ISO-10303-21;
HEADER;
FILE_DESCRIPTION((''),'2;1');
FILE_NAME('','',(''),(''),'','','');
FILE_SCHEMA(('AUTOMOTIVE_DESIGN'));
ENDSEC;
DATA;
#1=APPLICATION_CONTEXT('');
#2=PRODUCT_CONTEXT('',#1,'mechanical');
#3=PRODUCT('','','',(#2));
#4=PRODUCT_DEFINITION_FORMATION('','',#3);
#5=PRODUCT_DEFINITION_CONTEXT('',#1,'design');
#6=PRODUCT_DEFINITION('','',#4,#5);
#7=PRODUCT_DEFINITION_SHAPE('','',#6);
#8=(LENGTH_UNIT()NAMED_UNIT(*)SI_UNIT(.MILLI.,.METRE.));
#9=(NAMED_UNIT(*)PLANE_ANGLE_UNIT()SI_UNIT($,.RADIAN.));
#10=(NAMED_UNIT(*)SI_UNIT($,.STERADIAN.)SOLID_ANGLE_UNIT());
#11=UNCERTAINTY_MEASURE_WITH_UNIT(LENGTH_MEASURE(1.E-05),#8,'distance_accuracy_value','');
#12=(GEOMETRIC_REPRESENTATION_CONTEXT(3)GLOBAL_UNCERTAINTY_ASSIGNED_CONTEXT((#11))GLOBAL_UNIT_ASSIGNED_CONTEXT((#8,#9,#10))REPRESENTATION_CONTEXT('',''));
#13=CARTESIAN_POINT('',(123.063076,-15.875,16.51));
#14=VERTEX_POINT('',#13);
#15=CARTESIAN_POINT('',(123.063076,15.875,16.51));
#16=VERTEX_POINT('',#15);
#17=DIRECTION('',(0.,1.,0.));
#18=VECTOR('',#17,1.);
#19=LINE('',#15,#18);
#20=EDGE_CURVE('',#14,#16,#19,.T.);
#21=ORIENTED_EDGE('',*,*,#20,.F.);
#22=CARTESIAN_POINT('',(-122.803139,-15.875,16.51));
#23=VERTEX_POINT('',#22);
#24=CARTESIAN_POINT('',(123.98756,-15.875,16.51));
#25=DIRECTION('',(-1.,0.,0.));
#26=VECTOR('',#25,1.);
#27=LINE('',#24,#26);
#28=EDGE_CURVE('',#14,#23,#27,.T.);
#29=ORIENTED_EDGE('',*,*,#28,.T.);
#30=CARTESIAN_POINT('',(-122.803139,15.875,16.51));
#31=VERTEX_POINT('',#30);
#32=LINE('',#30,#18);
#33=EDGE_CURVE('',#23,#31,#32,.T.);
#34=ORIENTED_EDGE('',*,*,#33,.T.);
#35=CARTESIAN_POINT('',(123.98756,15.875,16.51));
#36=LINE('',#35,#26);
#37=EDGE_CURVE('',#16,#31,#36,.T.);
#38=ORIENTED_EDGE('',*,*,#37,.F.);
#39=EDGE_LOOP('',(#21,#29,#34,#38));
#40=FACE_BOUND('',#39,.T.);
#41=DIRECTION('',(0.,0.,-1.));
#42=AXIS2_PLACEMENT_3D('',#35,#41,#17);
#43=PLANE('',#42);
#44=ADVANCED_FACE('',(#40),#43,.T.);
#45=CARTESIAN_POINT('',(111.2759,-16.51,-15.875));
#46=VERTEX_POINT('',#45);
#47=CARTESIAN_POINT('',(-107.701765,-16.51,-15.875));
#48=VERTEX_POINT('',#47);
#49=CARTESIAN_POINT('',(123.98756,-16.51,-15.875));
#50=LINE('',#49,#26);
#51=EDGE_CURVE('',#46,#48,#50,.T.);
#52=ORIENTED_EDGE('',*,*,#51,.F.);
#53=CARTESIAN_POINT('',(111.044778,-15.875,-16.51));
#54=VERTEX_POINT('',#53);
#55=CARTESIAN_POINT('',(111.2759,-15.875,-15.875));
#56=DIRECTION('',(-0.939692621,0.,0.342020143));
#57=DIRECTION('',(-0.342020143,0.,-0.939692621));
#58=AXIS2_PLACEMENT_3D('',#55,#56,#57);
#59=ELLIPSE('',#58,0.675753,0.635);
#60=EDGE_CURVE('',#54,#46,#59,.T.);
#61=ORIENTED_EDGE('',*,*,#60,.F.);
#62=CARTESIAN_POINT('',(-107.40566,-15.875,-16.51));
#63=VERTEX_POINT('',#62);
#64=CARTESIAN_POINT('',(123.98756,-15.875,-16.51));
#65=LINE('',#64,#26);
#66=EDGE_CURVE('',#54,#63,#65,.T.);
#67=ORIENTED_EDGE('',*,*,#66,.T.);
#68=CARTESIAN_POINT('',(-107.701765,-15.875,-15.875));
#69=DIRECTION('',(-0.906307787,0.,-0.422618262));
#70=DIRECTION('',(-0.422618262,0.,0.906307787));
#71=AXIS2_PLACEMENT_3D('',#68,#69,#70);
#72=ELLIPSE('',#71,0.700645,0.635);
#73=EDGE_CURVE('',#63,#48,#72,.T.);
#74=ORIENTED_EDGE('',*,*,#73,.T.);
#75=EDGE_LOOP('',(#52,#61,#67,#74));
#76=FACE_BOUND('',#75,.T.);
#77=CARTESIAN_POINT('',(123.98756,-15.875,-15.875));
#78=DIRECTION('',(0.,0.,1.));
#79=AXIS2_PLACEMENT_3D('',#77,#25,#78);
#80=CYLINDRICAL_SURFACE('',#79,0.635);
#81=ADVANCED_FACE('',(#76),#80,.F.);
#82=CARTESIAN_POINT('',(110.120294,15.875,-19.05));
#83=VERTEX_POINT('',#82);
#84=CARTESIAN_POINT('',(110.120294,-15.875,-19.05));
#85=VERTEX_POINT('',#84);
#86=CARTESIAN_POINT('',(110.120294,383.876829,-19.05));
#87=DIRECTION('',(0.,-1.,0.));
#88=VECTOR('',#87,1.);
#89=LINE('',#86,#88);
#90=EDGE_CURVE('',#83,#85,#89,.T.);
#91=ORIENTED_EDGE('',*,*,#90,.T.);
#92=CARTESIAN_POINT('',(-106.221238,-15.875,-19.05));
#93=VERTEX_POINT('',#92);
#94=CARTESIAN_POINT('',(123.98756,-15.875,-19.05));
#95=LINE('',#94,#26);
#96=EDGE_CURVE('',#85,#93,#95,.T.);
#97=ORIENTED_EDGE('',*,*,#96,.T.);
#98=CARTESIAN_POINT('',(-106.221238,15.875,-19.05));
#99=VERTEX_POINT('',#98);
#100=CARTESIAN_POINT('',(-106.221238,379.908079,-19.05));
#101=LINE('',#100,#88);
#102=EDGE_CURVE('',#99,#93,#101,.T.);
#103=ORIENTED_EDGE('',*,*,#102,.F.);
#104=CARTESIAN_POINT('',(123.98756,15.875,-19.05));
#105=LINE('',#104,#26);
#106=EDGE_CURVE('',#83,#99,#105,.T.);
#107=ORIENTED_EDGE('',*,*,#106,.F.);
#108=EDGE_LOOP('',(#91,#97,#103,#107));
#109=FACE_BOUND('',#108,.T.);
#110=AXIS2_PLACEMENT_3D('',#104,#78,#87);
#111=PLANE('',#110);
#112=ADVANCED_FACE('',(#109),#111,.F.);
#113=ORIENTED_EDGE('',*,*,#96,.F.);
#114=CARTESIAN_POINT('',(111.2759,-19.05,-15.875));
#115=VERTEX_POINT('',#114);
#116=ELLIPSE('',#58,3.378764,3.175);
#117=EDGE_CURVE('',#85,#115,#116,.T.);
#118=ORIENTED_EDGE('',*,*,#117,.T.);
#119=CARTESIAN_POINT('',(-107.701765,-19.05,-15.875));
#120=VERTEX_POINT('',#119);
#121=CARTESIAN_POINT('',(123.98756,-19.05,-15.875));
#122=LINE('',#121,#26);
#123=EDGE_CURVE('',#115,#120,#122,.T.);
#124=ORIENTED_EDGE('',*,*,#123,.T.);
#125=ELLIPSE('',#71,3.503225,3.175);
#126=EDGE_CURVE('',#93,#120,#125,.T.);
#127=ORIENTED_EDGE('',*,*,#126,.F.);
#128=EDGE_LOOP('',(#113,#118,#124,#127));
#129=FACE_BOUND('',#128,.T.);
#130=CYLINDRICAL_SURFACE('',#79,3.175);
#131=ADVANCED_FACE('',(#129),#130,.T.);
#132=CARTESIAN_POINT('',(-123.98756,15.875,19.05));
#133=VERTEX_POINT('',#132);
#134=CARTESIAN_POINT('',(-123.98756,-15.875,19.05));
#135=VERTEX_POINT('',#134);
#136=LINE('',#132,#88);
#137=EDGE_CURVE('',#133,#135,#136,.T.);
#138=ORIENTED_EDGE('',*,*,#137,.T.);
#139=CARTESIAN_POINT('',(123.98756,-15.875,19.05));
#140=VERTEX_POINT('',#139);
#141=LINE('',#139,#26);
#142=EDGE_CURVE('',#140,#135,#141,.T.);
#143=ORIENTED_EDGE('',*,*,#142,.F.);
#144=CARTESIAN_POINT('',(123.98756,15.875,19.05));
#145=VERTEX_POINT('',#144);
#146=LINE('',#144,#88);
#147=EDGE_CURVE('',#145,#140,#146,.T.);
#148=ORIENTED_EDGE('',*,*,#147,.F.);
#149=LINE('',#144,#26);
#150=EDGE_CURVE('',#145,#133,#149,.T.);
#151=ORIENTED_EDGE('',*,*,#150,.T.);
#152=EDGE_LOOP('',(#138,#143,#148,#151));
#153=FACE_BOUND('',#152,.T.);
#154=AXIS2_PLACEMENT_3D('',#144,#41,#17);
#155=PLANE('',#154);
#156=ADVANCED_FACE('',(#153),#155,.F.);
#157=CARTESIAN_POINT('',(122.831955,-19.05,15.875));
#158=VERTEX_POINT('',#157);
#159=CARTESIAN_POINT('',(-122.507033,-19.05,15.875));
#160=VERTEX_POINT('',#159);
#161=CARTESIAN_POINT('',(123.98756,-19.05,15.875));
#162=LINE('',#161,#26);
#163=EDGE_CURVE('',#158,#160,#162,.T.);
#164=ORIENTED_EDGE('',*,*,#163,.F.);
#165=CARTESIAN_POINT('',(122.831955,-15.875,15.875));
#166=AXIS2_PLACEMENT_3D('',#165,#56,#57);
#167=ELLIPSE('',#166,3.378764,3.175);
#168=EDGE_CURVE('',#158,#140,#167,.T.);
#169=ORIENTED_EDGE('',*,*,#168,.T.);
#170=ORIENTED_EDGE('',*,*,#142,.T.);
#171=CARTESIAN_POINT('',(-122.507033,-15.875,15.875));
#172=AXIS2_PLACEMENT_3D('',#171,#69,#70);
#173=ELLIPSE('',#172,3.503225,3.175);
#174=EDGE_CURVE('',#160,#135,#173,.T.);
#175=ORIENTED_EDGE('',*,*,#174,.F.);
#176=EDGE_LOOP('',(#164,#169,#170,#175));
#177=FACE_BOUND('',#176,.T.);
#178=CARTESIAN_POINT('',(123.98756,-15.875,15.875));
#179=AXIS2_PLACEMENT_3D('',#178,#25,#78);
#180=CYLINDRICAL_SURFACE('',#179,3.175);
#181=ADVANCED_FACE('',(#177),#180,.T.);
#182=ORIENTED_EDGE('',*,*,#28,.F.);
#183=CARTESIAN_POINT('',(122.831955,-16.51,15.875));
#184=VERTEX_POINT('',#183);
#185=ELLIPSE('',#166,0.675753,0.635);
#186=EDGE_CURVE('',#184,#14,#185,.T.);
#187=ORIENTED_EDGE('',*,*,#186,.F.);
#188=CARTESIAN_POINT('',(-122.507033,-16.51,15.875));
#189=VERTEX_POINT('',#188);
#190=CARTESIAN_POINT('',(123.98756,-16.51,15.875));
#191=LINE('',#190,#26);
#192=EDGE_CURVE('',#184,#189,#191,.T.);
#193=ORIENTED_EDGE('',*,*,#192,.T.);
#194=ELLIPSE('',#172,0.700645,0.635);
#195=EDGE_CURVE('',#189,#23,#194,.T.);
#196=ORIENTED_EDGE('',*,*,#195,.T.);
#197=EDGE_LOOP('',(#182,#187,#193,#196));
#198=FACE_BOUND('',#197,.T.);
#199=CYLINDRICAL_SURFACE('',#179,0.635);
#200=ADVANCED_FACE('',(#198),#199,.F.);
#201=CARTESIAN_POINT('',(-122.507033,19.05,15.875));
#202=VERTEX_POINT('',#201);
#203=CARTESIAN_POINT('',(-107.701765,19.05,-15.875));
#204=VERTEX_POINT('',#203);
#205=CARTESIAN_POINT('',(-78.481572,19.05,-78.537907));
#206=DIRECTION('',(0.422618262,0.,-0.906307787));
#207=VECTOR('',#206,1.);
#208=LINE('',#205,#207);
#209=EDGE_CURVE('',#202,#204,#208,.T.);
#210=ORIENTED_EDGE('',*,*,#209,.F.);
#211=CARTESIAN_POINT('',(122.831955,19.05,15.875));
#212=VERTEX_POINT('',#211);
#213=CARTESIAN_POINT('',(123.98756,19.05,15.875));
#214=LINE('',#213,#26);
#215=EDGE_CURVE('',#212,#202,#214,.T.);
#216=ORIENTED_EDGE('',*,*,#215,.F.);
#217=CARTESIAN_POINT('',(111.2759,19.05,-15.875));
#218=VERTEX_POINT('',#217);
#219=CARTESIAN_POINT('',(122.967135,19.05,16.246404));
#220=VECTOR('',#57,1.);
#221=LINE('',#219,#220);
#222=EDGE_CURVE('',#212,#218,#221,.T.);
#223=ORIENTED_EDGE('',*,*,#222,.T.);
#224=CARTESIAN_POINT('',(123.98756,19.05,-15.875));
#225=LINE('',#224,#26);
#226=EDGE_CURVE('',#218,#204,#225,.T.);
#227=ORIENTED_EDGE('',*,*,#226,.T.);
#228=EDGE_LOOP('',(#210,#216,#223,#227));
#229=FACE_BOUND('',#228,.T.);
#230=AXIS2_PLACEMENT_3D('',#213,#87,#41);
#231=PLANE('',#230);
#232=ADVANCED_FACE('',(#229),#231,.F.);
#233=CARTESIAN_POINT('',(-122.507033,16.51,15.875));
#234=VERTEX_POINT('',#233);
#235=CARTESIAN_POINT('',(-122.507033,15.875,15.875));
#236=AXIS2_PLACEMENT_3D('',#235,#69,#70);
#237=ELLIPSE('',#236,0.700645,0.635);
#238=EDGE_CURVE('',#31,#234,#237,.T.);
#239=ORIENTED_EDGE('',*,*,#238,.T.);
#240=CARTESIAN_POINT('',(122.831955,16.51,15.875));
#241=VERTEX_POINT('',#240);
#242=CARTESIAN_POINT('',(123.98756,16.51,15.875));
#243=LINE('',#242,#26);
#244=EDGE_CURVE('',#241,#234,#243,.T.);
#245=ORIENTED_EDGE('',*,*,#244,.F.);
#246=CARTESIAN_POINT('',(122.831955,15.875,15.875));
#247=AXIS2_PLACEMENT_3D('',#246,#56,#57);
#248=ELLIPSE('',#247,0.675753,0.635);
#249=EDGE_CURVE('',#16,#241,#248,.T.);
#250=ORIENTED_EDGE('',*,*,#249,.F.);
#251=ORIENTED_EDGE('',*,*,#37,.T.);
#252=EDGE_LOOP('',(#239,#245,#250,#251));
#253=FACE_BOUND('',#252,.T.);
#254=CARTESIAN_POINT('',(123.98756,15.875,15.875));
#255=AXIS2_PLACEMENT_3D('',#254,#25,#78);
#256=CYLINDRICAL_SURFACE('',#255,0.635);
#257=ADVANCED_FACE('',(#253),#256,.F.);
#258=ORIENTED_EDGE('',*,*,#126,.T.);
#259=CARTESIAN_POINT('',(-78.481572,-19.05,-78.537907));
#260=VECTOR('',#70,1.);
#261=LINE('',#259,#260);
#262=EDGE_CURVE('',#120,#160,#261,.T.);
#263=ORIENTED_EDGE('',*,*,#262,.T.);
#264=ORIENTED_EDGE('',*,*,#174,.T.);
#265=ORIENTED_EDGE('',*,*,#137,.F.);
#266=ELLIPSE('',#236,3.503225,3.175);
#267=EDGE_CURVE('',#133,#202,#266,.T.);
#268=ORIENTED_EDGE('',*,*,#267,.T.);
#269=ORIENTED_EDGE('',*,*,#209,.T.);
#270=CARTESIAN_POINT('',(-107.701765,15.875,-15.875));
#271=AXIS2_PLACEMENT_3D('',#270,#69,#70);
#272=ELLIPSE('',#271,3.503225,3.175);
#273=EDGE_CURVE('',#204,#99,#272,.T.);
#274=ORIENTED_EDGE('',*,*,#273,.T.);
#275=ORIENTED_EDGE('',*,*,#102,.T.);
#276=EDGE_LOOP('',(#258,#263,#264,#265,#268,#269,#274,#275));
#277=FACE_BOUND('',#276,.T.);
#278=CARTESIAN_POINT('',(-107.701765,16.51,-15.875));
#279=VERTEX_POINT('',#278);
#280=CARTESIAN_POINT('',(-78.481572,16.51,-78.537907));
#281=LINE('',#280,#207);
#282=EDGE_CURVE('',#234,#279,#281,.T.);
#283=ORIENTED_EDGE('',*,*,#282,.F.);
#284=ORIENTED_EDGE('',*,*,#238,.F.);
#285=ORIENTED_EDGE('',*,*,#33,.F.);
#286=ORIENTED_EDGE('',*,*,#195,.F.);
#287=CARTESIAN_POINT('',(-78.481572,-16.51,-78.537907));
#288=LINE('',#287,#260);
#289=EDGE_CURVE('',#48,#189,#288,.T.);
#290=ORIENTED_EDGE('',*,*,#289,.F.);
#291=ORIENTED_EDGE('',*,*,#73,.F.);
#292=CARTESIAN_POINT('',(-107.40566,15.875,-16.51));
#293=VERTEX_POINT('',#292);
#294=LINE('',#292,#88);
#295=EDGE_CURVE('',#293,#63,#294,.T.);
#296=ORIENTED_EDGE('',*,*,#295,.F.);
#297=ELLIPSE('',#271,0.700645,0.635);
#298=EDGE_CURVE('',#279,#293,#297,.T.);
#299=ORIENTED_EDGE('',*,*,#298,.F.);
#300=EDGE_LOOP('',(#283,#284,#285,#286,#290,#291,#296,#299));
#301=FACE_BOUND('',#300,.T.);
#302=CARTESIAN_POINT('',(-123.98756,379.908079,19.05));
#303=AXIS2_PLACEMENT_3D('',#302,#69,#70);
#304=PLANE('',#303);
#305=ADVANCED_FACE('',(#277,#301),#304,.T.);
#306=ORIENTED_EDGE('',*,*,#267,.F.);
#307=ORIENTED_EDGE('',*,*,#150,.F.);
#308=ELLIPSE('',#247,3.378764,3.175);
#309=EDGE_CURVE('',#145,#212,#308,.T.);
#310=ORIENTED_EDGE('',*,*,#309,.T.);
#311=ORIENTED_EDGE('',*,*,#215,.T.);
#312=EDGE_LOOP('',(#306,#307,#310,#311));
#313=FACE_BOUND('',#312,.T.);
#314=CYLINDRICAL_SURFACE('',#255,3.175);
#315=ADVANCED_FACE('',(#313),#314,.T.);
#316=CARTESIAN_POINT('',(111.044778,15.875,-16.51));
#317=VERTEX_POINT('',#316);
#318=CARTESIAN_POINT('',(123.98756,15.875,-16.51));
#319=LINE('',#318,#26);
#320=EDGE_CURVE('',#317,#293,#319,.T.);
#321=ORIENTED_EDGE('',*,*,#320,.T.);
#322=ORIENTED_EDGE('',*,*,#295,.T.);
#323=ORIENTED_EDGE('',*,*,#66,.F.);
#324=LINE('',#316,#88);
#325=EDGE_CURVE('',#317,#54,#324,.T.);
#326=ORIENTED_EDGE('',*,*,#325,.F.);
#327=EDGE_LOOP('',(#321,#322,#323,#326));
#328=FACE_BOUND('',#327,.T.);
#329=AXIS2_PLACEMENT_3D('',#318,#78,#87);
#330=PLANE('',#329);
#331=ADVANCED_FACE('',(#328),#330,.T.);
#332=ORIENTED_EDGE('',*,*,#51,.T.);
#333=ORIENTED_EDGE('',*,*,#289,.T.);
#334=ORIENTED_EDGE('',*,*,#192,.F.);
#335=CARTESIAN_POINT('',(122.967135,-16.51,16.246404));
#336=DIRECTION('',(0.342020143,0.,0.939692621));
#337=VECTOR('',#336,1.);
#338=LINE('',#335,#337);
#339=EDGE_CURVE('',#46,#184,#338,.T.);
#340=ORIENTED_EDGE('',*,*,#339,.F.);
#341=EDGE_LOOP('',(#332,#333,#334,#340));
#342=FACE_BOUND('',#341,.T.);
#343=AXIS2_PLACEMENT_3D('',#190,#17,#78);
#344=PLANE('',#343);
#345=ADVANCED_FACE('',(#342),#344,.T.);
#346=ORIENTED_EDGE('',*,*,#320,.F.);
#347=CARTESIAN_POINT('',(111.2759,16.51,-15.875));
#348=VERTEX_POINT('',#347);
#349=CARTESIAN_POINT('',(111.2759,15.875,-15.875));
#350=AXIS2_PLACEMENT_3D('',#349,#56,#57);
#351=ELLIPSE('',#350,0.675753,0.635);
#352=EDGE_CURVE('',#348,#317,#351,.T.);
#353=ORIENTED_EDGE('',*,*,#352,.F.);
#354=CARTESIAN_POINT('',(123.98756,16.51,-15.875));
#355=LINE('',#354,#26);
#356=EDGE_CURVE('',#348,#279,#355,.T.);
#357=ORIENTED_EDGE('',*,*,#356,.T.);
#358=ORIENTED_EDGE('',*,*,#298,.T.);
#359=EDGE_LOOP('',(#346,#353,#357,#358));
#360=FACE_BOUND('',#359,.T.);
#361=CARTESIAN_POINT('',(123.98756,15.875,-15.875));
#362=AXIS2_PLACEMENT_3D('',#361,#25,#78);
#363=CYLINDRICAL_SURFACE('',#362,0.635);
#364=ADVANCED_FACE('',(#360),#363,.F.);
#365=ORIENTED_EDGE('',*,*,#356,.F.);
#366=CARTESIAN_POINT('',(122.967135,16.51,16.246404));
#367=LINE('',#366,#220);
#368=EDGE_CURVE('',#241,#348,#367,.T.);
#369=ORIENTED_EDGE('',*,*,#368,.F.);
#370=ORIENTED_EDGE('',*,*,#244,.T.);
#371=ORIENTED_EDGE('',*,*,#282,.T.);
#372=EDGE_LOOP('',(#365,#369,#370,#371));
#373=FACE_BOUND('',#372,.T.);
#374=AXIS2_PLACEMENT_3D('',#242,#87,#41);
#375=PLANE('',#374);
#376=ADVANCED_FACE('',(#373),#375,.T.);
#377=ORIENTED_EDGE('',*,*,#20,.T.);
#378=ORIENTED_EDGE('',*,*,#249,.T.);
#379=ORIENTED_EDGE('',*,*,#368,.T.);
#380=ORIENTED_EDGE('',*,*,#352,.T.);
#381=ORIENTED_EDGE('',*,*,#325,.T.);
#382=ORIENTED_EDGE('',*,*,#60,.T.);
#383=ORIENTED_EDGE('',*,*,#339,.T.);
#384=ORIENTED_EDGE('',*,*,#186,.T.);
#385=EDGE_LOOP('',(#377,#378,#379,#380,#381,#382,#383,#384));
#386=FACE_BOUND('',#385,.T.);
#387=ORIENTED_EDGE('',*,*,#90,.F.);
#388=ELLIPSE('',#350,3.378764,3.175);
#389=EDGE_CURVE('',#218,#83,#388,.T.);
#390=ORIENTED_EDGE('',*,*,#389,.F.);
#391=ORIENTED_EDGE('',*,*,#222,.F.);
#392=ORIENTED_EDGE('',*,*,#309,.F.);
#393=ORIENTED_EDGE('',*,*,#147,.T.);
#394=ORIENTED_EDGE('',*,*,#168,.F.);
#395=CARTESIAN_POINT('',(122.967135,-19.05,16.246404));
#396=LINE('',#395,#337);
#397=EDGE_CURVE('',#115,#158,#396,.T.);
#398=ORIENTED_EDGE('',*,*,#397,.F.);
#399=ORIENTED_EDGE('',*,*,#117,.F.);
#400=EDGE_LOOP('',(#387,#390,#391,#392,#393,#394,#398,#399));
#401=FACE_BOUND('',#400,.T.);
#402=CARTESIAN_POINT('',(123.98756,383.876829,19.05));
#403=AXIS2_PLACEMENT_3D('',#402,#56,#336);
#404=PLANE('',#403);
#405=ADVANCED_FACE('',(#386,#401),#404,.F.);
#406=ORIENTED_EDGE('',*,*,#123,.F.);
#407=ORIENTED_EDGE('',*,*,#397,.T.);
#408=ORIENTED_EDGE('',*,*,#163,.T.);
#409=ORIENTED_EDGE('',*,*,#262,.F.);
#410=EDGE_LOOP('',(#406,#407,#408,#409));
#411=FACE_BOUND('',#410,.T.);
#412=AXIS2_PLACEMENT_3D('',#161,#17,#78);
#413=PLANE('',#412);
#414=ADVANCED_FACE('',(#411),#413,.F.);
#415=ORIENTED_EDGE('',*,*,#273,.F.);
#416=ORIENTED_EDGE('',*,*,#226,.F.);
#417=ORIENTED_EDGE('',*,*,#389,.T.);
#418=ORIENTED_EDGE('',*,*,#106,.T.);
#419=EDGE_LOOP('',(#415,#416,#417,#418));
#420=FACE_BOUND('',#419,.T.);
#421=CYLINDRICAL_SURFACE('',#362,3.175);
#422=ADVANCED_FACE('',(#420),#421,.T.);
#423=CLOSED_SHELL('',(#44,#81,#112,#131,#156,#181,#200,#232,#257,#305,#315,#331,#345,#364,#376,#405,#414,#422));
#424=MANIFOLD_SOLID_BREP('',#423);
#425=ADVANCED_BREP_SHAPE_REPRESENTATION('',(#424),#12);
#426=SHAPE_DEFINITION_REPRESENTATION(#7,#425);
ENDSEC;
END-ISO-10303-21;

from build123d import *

# Parameters (mm, degrees)
EXTRUDE_THIN1_DEPTH     = 123.98756
CUT_EXTRUDE1_DEPTH      = 1
CUT_EXTRUDE1_DEPTH_BACK = 39.1
CUT_EXTRUDE2_DEPTH      = 1
CUT_EXTRUDE2_DEPTH_BACK = 39.1


with BuildPart() as part:
    # Sketch1 → Extrude-Thin1 (new body, symmetric)
    with BuildSketch(Plane(origin=(0, 0, 0), x_dir=(0, 0, -1), z_dir=(1, 0, 0))):
        with BuildLine():
            Line((-15.875, 19.05), (15.875, 19.05))
            ThreePointArc((15.875, 19.05), (18.12006403, 18.12006403), (19.05, 15.875))
            Line((19.05, 15.875), (19.05, -15.875))
            ThreePointArc((19.05, -15.875), (18.12006403, -18.12006403), (15.875, -19.05))
            Line((15.875, -19.05), (-15.875, -19.05))
            ThreePointArc((-15.875, -19.05), (-18.12006403, -18.12006403), (-19.05, -15.875))
            Line((-19.05, -15.875), (-19.05, 15.875))
            ThreePointArc((-19.05, 15.875), (-18.12006403, 18.12006403), (-15.875, 19.05))
        make_face()
        with BuildLine():
            Line((-15.875, 16.51), (15.875, 16.51))
            ThreePointArc((15.875, 16.51), (16.324012806, 16.324012806), (16.51, 15.875))
            Line((16.51, 15.875), (16.51, -15.875))
            ThreePointArc((16.51, -15.875), (16.324012806, -16.324012806), (15.875, -16.51))
            Line((15.875, -16.51), (-15.875, -16.51))
            ThreePointArc((-15.875, -16.51), (-16.324012806, -16.324012806), (-16.51, -15.875))
            Line((-16.51, -15.875), (-16.51, 15.875))
            ThreePointArc((-16.51, 15.875), (-16.324012806, 16.324012806), (-15.875, 16.51))
        make_face(mode=Mode.SUBTRACT)
    extrude(amount=EXTRUDE_THIN1_DEPTH, both=True)

    # Sketch3 → Cut-Extrude1 (cut, two sides)
    with BuildSketch(Plane(origin=(0, 19.05, 0), x_dir=(1, 0, 0), z_dir=(0, 1, 0))) as cut_extrude1_sk:
        Polygon((299.02319091, -499.956443526), (123.98756, -19.05), (110.120294074, 19.05), (-64.915336836, 499.956443526), (896.897550216, 850.027705346), (1260.836077962, -149.885181705), align=None)
    extrude(amount=CUT_EXTRUDE1_DEPTH, mode=Mode.SUBTRACT)
    extrude(cut_extrude1_sk.sketch, amount=-CUT_EXTRUDE1_DEPTH_BACK, mode=Mode.SUBTRACT)

    # Sketch4 → Cut-Extrude2 (cut, two sides)
    with BuildSketch(Plane(origin=(0, 19.05, 0), x_dir=(1, 0, 0), z_dir=(0, 1, 0))) as cut_extrude2_sk:
        Polygon((-340.270885768, -482.871088899), (-123.98756, -19.05), (-106.221238224, 19.05), (110.062087543, 482.871088899), (-817.580090255, 915.437740434), (-1267.913063566, -50.304437364), align=None)
    extrude(amount=CUT_EXTRUDE2_DEPTH, mode=Mode.SUBTRACT)
    extrude(cut_extrude2_sk.sketch, amount=-CUT_EXTRUDE2_DEPTH_BACK, mode=Mode.SUBTRACT)


solid = part.part
